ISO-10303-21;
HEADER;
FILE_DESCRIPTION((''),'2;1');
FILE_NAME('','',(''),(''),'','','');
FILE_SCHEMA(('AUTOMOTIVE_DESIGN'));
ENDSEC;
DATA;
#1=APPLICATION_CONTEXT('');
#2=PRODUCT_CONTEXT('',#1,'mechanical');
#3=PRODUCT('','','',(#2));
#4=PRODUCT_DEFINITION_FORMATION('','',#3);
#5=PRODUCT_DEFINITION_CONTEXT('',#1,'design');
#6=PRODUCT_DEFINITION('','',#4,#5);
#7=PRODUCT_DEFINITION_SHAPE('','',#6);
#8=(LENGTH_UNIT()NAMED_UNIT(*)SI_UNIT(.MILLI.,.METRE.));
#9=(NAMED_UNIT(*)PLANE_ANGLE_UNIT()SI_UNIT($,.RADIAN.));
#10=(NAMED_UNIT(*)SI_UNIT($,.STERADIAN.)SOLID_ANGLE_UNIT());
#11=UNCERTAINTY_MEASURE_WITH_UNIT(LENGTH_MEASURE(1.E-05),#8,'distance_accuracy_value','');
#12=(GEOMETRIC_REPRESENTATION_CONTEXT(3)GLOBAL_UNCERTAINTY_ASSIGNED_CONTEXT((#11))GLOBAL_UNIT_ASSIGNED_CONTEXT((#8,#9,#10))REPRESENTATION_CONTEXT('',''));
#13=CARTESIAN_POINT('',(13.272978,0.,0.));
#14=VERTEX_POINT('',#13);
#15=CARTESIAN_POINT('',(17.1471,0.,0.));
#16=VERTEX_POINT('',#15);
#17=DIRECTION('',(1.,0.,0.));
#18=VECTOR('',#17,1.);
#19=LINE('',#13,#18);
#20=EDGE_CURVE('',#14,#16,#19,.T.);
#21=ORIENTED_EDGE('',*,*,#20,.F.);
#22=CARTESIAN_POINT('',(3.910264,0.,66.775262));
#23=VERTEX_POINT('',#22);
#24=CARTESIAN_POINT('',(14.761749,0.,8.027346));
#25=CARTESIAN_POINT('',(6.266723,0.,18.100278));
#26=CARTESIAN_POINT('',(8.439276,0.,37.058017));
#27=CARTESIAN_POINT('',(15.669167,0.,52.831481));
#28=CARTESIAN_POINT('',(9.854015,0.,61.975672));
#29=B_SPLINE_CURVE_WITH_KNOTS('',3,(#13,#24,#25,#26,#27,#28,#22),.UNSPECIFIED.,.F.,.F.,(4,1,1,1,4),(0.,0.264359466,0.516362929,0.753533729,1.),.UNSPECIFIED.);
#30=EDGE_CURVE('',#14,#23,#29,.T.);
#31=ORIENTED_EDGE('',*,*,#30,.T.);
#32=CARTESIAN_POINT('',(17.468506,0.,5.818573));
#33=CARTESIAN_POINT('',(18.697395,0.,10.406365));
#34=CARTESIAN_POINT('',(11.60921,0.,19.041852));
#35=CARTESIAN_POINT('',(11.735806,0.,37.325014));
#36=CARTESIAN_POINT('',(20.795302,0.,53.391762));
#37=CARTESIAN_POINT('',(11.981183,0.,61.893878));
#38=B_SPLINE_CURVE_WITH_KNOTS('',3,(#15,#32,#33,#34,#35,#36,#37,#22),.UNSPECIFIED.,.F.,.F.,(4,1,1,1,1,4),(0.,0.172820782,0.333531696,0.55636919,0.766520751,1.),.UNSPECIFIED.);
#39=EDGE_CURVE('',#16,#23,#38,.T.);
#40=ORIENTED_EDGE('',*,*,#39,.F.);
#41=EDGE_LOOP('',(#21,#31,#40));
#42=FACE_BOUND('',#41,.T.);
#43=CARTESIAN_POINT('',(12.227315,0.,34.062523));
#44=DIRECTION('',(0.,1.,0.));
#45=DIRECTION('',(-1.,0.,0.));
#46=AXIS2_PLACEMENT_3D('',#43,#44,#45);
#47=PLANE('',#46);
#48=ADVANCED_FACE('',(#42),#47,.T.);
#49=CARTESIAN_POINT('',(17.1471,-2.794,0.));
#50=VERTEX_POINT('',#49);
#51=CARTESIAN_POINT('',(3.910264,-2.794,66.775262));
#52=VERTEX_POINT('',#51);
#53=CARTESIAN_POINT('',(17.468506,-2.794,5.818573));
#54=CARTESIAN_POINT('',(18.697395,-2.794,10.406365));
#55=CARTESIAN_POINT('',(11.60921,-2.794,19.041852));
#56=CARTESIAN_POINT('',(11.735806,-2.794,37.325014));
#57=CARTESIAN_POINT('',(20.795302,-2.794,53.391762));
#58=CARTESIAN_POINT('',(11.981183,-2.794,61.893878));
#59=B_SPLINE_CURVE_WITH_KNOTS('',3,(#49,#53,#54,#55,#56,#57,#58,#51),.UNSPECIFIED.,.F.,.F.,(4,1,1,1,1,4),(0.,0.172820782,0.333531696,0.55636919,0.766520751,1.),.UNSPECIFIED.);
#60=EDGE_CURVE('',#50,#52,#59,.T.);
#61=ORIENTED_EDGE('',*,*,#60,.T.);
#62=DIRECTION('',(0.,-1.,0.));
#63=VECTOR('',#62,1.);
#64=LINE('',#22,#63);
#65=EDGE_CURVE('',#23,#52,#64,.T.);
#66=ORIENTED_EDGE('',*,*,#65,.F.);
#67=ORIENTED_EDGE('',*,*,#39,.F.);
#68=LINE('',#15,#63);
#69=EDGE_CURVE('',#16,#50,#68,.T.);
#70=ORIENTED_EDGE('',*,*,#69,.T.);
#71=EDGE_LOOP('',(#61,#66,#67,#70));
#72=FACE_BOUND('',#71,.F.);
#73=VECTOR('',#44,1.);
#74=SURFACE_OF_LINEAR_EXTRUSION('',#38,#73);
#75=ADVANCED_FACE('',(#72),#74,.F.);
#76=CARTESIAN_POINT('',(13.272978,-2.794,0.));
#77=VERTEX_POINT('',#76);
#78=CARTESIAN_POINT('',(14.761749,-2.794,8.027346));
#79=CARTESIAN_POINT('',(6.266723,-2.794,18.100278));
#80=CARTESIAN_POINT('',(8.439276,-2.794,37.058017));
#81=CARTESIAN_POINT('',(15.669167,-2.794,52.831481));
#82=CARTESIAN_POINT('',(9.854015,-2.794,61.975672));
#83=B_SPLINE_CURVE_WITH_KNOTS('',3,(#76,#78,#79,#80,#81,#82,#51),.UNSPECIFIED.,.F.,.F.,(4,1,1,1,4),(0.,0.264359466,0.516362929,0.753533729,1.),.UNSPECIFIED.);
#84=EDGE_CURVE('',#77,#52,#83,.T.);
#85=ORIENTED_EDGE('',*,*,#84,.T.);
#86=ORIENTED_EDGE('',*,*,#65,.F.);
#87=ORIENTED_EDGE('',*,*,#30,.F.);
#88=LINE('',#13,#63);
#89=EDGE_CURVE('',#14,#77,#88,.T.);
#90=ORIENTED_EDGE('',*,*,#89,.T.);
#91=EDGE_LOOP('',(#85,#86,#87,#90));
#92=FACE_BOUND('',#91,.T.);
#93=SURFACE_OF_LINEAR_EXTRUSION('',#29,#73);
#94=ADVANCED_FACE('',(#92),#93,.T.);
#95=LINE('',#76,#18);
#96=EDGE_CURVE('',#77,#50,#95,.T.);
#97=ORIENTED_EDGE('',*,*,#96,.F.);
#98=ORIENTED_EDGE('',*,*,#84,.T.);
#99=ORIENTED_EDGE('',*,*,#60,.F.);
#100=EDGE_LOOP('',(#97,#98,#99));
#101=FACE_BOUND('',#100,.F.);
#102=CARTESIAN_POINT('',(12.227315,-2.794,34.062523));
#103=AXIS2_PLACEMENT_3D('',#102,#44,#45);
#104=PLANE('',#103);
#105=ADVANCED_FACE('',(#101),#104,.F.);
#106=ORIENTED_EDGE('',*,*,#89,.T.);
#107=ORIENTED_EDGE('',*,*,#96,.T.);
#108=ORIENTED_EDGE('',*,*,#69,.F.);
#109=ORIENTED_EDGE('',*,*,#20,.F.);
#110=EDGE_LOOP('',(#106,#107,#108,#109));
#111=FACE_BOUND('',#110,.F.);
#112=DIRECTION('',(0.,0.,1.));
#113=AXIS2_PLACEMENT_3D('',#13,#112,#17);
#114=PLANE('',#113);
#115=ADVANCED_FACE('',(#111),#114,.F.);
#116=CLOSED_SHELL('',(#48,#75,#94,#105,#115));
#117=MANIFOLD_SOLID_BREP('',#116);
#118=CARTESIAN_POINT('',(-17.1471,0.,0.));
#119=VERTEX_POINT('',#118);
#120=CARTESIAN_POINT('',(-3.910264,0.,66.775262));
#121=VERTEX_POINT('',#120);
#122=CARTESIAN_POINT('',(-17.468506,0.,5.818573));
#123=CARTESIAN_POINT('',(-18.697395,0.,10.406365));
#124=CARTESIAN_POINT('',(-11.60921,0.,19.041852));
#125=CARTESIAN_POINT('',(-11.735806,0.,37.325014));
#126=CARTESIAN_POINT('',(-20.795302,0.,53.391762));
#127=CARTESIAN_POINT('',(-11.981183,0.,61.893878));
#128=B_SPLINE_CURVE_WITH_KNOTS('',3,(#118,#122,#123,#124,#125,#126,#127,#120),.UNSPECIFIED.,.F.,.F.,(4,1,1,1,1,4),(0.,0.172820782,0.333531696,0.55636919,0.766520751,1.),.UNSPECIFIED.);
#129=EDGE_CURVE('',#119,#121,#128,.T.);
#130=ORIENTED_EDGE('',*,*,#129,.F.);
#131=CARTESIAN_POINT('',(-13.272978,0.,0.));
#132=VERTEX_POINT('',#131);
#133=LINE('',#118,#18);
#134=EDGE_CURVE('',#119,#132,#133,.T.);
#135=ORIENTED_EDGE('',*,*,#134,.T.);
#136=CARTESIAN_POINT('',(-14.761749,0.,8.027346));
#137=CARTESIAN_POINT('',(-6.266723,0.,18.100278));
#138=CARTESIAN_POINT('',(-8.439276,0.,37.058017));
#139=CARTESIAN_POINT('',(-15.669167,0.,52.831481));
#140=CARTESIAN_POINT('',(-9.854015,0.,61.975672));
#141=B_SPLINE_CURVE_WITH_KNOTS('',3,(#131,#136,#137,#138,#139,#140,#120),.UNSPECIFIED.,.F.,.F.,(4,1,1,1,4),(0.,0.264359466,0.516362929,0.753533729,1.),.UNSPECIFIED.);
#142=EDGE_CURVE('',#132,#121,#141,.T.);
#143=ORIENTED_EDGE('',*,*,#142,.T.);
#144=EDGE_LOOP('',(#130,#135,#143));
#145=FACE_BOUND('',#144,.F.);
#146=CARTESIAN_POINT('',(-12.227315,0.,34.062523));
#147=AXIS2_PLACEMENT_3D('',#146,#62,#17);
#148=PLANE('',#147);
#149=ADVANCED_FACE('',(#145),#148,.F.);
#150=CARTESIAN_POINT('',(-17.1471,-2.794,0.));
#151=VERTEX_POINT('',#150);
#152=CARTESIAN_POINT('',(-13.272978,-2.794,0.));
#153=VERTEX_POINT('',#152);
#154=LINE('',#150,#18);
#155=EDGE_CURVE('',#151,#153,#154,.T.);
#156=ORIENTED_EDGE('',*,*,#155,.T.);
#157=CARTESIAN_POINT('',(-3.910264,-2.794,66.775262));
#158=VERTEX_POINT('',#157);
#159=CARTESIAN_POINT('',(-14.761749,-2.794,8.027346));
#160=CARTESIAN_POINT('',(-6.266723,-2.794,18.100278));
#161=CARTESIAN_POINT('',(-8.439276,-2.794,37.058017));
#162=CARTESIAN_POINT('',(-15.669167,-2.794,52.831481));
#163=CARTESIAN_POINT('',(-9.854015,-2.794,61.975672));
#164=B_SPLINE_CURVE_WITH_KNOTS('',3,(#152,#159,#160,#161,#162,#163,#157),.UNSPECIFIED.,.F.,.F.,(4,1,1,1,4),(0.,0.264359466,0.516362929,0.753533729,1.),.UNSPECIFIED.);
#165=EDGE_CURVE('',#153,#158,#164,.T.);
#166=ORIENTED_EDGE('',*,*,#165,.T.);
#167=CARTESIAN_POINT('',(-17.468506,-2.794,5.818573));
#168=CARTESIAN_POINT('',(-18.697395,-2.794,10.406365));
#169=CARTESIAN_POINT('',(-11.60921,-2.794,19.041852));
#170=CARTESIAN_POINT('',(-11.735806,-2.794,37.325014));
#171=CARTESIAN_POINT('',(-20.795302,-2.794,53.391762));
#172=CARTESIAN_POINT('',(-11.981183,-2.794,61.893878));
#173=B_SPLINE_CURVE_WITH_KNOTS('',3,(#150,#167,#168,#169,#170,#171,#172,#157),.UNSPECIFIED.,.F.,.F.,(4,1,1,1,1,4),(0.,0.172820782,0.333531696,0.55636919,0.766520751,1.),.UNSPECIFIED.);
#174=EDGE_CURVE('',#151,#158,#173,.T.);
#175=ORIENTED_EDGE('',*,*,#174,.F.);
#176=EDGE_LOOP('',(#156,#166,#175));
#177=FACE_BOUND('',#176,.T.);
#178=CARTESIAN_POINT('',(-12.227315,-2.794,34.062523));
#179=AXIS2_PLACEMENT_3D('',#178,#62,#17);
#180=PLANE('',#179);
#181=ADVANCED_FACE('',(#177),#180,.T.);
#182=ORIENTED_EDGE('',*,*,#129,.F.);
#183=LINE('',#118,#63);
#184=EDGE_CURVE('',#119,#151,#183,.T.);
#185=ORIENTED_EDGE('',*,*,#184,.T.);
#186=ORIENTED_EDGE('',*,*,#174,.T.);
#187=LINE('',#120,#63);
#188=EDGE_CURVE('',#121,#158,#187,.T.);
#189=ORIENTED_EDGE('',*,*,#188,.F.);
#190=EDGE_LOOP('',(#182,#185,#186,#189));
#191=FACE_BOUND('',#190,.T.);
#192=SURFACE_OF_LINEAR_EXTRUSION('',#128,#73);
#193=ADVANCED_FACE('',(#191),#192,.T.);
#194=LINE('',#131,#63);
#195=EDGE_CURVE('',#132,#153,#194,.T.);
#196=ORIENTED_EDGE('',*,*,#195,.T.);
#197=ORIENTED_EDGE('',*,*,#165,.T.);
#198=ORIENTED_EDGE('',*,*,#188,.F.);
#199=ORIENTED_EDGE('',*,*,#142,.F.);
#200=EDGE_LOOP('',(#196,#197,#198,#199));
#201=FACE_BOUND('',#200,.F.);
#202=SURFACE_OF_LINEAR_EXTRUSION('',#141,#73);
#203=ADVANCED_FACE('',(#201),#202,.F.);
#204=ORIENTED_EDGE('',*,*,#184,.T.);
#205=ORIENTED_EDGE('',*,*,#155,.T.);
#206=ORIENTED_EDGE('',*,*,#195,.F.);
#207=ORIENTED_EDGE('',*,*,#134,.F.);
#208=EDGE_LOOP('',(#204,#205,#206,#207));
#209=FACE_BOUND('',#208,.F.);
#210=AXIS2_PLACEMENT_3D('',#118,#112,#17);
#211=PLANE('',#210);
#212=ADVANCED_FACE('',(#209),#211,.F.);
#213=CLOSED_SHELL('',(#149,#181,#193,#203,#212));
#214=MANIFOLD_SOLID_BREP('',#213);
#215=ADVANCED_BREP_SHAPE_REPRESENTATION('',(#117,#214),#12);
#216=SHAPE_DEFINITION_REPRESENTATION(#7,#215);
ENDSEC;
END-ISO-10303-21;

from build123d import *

# Parameters (mm, degrees)
F1_DEPTH = 2.794


with BuildPart() as f1:
    # F0 (on Front) → F1 (new body)
    with BuildSketch(Plane.XZ):
        with BuildLine():
            Line((-17.1470995992, 0), (-13.2729781369, 0))
            add(Edge.make_bspline(
                [(-13.2729781369, 0), (-14.7617488311, 8.0273460218), (-6.266723365, 18.1002777016), (-8.4392764167, 37.0580167787), (-15.6691671711, 52.831481109), (-9.8540153927, 61.9756716194), (-3.9102635346, 66.7752623558)],
                knots=[0, 0, 0, 0, 0.2643594665, 0.5163629287, 0.7535337292, 1, 1, 1, 1], degree=3))
            add(Edge.make_bspline(
                [(-17.1470995992, 0), (-17.4685056889, 5.8185726086), (-18.6973954541, 10.4063652233), (-11.6092103302, 19.041851785), (-11.7358059234, 37.3250143033), (-20.7953024008, 53.3917615135), (-11.981183149, 61.8938777319), (-3.9102635346, 66.7752623558)],
                knots=[0, 0, 0, 0, 0.1728207825, 0.3335316962, 0.5563691904, 0.7665207505, 1, 1, 1, 1], degree=3))
        make_face()
    extrude(amount=F1_DEPTH)


with BuildPart() as f1b:
    # F0 (on Front) → F1, piece 2 (new body)
    with BuildSketch(Plane.XZ):
        with BuildLine():
            add(Edge.make_bspline(
                [(13.2729781369, 0), (14.7617488311, 8.0273460218), (6.266723365, 18.1002777016), (8.4392764167, 37.0580167787), (15.6691671711, 52.831481109), (9.8540153927, 61.9756716194), (3.9102635346, 66.7752623558)],
                knots=[0, 0, 0, 0, 0.2643594665, 0.5163629287, 0.7535337292, 1, 1, 1, 1], degree=3))
            Line((13.2729781369, 0), (17.1470995992, 0))
            add(Edge.make_bspline(
                [(17.1470995992, 0), (17.4685056889, 5.8185726086), (18.6973954541, 10.4063652233), (11.6092103302, 19.041851785), (11.7358059234, 37.3250143033), (20.7953024008, 53.3917615135), (11.981183149, 61.8938777319), (3.9102635346, 66.7752623558)],
                knots=[0, 0, 0, 0, 0.1728207825, 0.3335316962, 0.5563691904, 0.7665207505, 1, 1, 1, 1], degree=3))
        make_face()
    extrude(amount=F1_DEPTH)


solid = Compound([f1.part, f1b.part])
